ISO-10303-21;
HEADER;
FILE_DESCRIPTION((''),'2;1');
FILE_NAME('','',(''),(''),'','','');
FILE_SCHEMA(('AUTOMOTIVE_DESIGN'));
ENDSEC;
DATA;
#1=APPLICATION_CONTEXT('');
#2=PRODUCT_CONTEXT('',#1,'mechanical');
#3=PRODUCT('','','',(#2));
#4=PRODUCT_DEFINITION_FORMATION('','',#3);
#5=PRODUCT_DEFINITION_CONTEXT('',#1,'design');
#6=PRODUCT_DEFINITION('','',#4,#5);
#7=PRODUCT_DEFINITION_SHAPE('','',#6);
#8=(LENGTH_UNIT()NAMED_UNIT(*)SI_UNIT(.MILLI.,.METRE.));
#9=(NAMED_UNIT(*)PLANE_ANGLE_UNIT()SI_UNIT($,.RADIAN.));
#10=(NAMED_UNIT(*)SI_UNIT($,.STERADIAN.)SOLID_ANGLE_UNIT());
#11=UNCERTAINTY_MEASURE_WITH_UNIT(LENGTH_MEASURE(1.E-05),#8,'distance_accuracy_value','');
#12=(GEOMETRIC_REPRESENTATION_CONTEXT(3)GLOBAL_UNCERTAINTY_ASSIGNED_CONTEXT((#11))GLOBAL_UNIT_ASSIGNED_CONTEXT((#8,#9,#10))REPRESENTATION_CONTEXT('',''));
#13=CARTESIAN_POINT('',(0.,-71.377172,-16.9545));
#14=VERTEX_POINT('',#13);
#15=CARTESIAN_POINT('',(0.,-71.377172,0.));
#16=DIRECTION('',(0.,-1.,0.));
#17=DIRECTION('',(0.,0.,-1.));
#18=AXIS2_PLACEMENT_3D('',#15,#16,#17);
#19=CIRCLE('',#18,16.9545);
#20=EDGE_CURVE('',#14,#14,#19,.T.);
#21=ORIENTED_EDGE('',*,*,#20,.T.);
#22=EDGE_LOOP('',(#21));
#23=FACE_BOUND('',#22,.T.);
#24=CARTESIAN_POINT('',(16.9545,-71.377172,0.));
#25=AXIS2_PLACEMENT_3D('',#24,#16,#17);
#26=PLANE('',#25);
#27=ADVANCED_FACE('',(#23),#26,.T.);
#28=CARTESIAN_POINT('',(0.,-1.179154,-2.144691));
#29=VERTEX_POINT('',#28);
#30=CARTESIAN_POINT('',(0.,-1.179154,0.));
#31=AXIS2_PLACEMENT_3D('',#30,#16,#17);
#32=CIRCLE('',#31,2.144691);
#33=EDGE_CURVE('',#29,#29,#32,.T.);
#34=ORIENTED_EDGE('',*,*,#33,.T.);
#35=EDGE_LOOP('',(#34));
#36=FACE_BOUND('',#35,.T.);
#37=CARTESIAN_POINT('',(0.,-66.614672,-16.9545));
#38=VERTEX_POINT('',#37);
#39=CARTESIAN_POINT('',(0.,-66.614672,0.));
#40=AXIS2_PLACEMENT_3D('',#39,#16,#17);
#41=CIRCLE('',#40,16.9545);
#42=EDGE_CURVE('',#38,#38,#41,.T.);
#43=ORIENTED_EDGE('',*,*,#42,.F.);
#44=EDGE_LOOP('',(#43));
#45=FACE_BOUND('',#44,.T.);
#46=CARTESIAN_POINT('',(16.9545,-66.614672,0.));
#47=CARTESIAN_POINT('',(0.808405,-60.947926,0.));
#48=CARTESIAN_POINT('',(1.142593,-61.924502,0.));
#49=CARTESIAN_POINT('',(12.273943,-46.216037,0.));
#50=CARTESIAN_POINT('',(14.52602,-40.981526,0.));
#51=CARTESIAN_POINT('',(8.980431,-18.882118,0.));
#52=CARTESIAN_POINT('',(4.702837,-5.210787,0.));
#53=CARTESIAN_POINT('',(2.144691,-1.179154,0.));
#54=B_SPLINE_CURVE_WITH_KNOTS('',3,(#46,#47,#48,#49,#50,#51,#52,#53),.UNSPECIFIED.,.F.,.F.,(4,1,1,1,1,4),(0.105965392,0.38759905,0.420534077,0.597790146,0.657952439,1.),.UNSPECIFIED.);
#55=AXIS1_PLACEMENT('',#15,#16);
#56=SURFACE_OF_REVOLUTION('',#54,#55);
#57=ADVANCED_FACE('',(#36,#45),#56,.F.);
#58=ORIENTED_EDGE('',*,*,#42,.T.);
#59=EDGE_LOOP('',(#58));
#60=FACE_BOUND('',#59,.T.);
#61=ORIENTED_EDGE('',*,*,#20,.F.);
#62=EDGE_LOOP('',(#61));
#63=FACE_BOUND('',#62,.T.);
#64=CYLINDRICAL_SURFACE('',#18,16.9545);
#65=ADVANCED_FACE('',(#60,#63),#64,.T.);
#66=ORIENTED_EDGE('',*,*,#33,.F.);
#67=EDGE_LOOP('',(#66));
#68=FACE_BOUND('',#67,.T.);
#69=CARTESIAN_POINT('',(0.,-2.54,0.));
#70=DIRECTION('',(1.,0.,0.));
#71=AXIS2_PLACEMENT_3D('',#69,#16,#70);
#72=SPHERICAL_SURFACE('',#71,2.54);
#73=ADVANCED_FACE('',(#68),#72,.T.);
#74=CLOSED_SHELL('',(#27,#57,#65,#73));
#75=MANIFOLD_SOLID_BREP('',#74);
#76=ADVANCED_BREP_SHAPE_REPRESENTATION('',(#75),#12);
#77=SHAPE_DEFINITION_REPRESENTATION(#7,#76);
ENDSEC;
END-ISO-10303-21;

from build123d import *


with BuildPart() as part:
    # Sketch1 → Revolve1 (revolve)
    with BuildSketch(Plane.XY):
        with BuildLine():
            Line((0, -71.377172013), (0, 0))
            ThreePointArc((0, 0), (1.223734169, -0.314224925), (2.144690561, -1.179153793))
            add(Edge.make_bspline(
                [(2.144690561, -1.179153793), (4.702836967, -5.210786776), (8.980430624, -18.882117933), (14.526020339, -40.98152643), (12.273942801, -46.216037015), (1.142592659, -61.924501885), (0.808405214, -60.947926468), (16.9545, -66.614672013)],
                knots=[0.105965392, 0.105965392, 0.105965392, 0.105965392, 0.448012953, 0.508175246, 0.685431315, 0.718366342, 1, 1, 1, 1], degree=3))
            Line((16.9545, -66.614672013), (16.9545, -71.377172013))
            Line((16.9545, -71.377172013), (0, -71.377172013))
        make_face()
    revolve(axis=Axis((0, -71.377172013, 0), (0, 1, 0)))


solid = part.part
